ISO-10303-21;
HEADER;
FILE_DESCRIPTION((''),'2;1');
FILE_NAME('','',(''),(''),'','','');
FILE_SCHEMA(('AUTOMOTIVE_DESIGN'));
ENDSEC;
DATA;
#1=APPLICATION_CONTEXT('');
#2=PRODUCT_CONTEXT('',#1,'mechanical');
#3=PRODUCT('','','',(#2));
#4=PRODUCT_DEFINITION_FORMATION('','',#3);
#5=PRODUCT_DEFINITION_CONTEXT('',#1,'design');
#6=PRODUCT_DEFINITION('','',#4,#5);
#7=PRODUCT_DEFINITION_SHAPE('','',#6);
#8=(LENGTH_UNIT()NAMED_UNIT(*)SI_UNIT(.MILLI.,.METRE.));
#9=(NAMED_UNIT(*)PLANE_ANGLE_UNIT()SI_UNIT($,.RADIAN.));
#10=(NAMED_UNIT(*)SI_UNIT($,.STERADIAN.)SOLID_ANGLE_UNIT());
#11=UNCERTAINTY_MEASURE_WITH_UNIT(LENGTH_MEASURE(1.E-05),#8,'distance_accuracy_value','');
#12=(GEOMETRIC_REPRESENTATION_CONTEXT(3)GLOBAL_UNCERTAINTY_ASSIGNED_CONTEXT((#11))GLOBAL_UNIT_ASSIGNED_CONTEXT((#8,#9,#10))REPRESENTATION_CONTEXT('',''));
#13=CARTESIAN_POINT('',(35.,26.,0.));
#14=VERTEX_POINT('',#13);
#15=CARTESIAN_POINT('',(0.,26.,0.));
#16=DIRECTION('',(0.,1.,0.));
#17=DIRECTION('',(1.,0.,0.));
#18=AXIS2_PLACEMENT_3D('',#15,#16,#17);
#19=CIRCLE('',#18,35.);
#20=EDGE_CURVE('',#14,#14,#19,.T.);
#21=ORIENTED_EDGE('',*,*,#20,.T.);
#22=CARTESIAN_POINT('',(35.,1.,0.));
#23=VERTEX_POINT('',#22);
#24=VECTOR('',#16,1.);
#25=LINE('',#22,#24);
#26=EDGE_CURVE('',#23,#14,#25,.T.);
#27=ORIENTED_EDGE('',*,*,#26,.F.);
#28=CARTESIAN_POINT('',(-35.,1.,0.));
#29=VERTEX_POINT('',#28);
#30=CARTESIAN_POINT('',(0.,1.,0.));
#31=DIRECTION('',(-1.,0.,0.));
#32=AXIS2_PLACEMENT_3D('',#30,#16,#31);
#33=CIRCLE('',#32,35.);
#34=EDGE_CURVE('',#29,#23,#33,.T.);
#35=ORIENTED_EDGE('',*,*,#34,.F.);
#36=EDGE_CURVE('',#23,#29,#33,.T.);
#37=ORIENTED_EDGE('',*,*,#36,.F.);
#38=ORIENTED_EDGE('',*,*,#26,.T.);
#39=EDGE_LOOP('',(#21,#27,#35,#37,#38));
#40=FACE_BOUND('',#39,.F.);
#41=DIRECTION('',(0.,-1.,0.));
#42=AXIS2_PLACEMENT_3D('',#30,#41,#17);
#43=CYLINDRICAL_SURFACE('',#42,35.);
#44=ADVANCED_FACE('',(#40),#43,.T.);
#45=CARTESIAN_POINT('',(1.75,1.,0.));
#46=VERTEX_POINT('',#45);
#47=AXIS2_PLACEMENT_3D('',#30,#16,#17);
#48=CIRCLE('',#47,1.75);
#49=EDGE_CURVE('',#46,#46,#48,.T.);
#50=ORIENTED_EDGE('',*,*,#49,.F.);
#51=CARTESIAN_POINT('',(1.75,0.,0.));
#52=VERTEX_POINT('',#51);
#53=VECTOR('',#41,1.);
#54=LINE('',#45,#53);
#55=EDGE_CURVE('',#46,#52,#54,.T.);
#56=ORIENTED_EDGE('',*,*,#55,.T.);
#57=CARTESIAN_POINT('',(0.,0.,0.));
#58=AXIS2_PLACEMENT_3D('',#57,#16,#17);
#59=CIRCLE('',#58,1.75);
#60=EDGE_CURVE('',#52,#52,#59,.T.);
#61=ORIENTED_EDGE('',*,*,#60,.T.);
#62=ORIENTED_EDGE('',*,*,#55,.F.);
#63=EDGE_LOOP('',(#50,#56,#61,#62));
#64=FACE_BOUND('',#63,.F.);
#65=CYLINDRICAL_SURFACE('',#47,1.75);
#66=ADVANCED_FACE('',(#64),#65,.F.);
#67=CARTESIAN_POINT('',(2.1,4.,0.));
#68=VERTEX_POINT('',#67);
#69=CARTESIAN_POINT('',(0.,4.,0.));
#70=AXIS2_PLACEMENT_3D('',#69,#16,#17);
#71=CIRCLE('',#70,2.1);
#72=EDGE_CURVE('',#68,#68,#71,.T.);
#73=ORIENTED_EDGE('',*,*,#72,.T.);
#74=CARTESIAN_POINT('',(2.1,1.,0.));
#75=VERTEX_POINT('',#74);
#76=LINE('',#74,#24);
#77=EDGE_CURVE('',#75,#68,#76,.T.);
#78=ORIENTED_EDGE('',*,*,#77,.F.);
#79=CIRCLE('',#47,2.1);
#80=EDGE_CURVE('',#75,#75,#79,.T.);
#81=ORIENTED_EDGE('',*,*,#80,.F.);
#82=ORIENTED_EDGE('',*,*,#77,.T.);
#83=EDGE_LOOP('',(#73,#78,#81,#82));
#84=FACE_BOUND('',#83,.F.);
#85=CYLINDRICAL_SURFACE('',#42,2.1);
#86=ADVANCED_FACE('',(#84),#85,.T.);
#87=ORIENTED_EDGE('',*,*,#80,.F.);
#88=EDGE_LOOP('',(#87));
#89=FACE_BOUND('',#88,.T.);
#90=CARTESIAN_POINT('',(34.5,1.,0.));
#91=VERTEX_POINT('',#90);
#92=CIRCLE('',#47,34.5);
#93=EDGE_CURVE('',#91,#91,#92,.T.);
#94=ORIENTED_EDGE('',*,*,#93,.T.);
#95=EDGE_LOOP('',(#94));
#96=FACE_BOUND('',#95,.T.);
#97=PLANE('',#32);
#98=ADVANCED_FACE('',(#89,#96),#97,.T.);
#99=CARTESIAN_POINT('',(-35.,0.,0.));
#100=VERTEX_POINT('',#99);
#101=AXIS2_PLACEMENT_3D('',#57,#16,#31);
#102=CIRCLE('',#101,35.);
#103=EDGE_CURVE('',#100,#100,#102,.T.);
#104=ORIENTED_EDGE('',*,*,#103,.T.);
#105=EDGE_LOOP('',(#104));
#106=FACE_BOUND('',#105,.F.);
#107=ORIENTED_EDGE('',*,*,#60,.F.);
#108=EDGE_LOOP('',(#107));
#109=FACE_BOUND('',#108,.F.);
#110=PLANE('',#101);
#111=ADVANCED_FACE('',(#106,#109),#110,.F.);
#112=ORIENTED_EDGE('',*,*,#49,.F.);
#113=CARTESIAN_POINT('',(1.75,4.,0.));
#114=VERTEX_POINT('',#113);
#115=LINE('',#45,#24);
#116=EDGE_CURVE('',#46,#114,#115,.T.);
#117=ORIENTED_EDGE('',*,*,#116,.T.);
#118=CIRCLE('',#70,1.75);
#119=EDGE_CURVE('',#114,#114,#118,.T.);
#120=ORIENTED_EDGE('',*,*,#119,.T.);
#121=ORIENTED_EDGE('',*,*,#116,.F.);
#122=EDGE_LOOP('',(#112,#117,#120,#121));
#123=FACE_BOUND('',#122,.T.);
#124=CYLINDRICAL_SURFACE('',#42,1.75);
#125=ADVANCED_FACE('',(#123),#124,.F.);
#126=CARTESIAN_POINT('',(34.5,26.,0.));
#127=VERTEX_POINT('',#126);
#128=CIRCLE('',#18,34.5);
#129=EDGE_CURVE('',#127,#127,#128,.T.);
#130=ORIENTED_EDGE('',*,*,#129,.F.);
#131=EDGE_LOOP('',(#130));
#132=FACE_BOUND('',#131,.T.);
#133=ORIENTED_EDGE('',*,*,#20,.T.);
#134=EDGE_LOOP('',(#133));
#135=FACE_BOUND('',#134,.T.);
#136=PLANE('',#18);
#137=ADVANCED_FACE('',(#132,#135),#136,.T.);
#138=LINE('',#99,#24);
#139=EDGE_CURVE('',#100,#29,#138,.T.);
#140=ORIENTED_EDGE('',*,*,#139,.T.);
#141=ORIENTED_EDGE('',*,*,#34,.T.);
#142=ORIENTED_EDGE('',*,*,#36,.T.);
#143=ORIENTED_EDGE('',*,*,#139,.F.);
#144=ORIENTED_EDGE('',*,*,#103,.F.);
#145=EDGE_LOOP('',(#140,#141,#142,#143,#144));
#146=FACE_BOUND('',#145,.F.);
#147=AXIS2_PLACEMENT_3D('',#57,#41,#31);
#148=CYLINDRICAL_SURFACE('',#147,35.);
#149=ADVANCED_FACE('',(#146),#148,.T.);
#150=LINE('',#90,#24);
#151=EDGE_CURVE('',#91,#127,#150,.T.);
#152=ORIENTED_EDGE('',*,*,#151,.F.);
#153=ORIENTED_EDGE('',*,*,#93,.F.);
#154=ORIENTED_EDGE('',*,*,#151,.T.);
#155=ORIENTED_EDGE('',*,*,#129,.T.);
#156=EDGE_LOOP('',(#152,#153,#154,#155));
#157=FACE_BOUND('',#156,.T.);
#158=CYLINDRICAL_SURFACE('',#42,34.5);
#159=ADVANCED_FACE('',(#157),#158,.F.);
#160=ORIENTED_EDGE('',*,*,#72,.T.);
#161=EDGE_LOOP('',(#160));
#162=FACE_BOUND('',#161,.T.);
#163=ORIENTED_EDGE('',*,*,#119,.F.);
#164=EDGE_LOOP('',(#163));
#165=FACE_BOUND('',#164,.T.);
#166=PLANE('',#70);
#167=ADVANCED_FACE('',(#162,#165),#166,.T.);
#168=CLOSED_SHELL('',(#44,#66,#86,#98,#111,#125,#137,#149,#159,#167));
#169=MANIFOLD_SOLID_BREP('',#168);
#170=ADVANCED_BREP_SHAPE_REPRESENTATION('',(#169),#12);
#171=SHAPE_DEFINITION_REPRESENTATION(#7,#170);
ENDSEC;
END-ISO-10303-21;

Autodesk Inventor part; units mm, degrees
ref_plane "YZ Plane" through (0, 0, 0) normal (1, 0, 0) x (0, 1, 0)
ref_plane "XZ Plane" through (0, 0, 0) normal (0, 1, 0) x (-1, 0, 0)
ref_plane "XY Plane" through (0, 0, 0) normal (0, 0, 1) x (1, 0, 0)
sketch "Boceto1" plane through (0, 0, 0) normal (0, 1, 0) x (-1, 0, 0)
  circle A0 centre (0, 0) radius 34.5
  circle A1 centre (0, 0) radius 35
  dimension "d0" = 69
  dimension "d1" = 70
extrude "Extrusión1" add sketch "Boceto1" along normal blind 1 contours A0 | A1
sketch "Boceto2" plane through (0, 1, 0) normal (0, 1, 0) x (1, 0, 0)
  circle A0 centre (0, 0) radius 34.5
  circle A1 centre (0, 0) radius 35
  dimension "d4" = 69
  dimension "d5" = 70
extrude "Extrusión2" add sketch "Boceto2" along normal blind 25
sketch "Boceto3" plane through (0, 1, 0) normal (0, 1, 0) x (1, 0, 0)
  circle A0 centre (0, 0) radius 2.1
  circle A1 centre (0, 0) radius 1.75
  dimension "d8" = 4.2
  dimension "d9" = 3.5
extrude "Extrusión3" add sketch "Boceto3" along normal blind 3
sketch "Boceto4" plane through (0, 1, 0) normal (0, 1, 0) x (1, 0, 0)
  circle A0 centre (0, 0) radius 1.75
  dimension "d14" = 3.5
extrude "Extrusión4" cut sketch "Boceto4" against normal through all
properties part number "Molde"
